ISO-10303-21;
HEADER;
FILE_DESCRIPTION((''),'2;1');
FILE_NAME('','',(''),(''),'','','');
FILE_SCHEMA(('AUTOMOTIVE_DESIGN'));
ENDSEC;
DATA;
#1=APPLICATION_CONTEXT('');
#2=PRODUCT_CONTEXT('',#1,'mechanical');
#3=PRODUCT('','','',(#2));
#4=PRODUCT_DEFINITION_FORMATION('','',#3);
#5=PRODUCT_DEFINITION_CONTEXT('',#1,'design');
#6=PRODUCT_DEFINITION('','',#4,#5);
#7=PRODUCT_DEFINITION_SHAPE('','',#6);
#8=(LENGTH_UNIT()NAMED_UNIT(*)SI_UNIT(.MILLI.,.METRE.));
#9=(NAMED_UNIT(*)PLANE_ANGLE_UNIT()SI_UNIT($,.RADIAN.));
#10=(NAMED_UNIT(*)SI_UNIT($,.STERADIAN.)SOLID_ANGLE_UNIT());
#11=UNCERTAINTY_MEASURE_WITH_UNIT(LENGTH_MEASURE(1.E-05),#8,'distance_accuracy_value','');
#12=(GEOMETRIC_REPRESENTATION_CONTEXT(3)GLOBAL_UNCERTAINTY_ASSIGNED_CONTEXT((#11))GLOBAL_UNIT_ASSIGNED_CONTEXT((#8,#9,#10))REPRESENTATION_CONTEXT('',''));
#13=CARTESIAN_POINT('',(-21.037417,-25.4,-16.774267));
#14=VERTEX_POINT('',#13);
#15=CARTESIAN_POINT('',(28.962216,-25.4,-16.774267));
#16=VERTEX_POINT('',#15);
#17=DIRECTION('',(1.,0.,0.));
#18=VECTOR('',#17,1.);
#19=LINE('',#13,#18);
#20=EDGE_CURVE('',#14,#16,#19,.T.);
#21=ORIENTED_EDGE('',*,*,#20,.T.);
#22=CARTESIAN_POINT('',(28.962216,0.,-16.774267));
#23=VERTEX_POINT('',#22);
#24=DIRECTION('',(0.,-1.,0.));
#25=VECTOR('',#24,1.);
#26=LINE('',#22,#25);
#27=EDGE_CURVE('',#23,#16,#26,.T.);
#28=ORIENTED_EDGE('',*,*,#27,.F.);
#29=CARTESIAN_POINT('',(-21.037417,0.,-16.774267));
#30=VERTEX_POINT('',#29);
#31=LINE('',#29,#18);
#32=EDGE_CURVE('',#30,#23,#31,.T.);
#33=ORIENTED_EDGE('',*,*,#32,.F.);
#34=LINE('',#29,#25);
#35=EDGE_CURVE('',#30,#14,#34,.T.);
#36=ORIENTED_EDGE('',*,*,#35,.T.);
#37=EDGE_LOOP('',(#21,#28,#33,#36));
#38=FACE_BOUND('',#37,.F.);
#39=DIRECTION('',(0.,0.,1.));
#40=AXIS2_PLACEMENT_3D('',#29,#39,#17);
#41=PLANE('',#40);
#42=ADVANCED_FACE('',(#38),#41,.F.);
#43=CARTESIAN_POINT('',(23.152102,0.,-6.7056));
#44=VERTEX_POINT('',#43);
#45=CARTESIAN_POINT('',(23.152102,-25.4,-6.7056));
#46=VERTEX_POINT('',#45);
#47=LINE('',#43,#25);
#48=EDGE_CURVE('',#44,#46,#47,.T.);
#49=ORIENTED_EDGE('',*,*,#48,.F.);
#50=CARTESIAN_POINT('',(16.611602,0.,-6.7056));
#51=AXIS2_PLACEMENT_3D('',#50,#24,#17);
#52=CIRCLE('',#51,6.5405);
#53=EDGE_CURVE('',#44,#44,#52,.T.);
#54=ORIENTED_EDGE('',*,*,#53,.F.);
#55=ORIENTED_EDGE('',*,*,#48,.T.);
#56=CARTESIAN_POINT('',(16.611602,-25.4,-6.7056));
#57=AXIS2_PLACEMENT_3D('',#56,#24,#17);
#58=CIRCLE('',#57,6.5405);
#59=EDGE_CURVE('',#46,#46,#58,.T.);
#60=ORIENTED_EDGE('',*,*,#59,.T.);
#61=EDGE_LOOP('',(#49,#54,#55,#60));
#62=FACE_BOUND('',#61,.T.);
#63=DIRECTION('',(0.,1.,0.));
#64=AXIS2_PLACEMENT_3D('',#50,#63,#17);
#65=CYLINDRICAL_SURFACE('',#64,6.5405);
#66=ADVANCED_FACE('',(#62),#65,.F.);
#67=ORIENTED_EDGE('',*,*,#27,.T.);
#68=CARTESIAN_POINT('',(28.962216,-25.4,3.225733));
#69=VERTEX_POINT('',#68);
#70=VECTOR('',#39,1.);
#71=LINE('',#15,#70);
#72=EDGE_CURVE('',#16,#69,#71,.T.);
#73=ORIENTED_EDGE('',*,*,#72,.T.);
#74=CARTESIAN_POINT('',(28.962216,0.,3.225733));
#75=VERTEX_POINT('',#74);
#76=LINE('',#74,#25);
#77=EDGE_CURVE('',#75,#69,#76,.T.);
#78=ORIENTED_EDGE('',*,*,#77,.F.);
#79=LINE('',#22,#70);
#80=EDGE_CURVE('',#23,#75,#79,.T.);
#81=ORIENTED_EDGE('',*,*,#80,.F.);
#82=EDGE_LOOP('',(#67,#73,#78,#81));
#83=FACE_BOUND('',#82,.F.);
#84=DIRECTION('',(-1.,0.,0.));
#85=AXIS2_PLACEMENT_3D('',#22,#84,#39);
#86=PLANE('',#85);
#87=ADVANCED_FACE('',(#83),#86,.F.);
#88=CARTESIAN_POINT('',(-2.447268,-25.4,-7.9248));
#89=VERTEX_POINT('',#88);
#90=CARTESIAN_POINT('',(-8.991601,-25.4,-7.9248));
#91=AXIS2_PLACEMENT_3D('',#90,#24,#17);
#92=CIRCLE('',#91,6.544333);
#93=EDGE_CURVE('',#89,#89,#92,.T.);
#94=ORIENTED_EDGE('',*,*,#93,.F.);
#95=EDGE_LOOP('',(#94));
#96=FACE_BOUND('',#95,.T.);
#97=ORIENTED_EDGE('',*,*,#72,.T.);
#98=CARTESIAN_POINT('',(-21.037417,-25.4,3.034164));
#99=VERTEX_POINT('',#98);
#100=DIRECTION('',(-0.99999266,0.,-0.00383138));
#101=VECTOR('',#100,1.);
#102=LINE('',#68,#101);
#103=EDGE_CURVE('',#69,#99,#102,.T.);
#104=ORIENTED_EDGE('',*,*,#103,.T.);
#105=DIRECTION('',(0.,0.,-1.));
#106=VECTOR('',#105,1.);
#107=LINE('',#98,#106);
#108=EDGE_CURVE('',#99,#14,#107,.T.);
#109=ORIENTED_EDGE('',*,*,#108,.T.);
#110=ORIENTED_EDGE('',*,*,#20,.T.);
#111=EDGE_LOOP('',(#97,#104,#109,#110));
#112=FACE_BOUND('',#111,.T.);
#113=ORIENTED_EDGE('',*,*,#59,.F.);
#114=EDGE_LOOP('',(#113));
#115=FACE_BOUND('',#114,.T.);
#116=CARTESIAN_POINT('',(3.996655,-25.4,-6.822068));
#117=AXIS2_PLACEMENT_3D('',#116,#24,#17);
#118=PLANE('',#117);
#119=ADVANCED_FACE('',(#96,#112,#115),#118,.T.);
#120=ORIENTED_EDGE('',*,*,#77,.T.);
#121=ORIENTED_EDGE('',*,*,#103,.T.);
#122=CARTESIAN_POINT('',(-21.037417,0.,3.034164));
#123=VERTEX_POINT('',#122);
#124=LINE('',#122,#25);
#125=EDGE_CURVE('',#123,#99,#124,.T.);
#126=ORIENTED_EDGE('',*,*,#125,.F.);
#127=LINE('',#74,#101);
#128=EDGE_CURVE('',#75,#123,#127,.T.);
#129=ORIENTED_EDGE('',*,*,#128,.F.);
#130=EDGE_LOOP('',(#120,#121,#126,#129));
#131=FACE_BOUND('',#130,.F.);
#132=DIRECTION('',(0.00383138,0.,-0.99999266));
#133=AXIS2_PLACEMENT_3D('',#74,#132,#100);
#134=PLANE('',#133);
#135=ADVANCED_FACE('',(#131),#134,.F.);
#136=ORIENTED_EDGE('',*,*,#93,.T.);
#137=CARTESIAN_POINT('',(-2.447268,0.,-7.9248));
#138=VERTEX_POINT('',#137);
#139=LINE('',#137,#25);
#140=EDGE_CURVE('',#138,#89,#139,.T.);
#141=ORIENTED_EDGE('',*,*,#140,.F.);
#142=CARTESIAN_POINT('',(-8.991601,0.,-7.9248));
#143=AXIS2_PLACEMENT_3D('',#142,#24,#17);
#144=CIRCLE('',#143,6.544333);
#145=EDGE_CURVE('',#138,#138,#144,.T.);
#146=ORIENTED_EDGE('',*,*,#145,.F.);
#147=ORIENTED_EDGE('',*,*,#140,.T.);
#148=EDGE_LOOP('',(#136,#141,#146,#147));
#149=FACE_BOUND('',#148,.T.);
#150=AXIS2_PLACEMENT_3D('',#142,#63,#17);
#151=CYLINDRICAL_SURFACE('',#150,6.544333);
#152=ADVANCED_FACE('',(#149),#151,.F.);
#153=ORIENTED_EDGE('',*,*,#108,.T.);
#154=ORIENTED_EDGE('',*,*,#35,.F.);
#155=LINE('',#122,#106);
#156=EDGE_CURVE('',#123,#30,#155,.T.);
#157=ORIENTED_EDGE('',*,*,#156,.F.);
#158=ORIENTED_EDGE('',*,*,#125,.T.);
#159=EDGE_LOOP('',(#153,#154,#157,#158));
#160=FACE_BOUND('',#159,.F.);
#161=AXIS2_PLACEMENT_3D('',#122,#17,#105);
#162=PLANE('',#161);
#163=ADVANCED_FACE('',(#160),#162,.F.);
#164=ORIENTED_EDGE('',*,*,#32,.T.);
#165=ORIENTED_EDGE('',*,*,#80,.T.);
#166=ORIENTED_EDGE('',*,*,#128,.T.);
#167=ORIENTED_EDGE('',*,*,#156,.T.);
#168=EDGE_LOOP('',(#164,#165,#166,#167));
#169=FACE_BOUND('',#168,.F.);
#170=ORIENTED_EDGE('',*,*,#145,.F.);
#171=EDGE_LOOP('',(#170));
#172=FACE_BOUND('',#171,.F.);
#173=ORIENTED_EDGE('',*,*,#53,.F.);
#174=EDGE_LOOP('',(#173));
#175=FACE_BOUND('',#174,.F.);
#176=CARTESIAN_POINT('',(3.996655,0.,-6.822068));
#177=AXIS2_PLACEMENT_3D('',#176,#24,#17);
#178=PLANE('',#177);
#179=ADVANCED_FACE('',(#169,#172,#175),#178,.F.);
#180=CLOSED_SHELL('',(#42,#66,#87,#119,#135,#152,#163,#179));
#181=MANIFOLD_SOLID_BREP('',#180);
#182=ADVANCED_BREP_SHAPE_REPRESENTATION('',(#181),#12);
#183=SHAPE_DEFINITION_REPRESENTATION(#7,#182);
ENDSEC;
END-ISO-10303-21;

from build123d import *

# Parameters (mm, degrees)
F0_R     = 6.544333
F0_R_2   = 6.5405
F1_DEPTH = 25.4
F2_DEPTH = 25.4


with BuildPart() as f1:
    # F0 (on Front) → F1 (new body)
    with BuildSketch(Plane.XZ):
        Polygon((28.962216, 3.225733), (-21.037417, 3.034164), (-21.037417, -16.774267), (28.962216, -16.774267), align=None)
        with Locations((-8.991601, -7.9248)):
            Circle(F0_R, mode=Mode.SUBTRACT)
        with Locations((16.611602, -6.7056)):
            Circle(F0_R_2, mode=Mode.SUBTRACT)
    extrude(amount=F1_DEPTH)

    # F0 (on Front) → F2 (join)
    with BuildSketch(Plane.XZ):
        Polygon((28.962216, 3.225733), (-21.037417, 3.034164), (-21.037417, -16.774267), (28.962216, -16.774267), align=None)
        with Locations((-8.991601, -7.9248)):
            Circle(F0_R, mode=Mode.SUBTRACT)
        with Locations((16.611602, -6.7056)):
            Circle(F0_R_2, mode=Mode.SUBTRACT)
    extrude(amount=F2_DEPTH)


solid = f1.part
